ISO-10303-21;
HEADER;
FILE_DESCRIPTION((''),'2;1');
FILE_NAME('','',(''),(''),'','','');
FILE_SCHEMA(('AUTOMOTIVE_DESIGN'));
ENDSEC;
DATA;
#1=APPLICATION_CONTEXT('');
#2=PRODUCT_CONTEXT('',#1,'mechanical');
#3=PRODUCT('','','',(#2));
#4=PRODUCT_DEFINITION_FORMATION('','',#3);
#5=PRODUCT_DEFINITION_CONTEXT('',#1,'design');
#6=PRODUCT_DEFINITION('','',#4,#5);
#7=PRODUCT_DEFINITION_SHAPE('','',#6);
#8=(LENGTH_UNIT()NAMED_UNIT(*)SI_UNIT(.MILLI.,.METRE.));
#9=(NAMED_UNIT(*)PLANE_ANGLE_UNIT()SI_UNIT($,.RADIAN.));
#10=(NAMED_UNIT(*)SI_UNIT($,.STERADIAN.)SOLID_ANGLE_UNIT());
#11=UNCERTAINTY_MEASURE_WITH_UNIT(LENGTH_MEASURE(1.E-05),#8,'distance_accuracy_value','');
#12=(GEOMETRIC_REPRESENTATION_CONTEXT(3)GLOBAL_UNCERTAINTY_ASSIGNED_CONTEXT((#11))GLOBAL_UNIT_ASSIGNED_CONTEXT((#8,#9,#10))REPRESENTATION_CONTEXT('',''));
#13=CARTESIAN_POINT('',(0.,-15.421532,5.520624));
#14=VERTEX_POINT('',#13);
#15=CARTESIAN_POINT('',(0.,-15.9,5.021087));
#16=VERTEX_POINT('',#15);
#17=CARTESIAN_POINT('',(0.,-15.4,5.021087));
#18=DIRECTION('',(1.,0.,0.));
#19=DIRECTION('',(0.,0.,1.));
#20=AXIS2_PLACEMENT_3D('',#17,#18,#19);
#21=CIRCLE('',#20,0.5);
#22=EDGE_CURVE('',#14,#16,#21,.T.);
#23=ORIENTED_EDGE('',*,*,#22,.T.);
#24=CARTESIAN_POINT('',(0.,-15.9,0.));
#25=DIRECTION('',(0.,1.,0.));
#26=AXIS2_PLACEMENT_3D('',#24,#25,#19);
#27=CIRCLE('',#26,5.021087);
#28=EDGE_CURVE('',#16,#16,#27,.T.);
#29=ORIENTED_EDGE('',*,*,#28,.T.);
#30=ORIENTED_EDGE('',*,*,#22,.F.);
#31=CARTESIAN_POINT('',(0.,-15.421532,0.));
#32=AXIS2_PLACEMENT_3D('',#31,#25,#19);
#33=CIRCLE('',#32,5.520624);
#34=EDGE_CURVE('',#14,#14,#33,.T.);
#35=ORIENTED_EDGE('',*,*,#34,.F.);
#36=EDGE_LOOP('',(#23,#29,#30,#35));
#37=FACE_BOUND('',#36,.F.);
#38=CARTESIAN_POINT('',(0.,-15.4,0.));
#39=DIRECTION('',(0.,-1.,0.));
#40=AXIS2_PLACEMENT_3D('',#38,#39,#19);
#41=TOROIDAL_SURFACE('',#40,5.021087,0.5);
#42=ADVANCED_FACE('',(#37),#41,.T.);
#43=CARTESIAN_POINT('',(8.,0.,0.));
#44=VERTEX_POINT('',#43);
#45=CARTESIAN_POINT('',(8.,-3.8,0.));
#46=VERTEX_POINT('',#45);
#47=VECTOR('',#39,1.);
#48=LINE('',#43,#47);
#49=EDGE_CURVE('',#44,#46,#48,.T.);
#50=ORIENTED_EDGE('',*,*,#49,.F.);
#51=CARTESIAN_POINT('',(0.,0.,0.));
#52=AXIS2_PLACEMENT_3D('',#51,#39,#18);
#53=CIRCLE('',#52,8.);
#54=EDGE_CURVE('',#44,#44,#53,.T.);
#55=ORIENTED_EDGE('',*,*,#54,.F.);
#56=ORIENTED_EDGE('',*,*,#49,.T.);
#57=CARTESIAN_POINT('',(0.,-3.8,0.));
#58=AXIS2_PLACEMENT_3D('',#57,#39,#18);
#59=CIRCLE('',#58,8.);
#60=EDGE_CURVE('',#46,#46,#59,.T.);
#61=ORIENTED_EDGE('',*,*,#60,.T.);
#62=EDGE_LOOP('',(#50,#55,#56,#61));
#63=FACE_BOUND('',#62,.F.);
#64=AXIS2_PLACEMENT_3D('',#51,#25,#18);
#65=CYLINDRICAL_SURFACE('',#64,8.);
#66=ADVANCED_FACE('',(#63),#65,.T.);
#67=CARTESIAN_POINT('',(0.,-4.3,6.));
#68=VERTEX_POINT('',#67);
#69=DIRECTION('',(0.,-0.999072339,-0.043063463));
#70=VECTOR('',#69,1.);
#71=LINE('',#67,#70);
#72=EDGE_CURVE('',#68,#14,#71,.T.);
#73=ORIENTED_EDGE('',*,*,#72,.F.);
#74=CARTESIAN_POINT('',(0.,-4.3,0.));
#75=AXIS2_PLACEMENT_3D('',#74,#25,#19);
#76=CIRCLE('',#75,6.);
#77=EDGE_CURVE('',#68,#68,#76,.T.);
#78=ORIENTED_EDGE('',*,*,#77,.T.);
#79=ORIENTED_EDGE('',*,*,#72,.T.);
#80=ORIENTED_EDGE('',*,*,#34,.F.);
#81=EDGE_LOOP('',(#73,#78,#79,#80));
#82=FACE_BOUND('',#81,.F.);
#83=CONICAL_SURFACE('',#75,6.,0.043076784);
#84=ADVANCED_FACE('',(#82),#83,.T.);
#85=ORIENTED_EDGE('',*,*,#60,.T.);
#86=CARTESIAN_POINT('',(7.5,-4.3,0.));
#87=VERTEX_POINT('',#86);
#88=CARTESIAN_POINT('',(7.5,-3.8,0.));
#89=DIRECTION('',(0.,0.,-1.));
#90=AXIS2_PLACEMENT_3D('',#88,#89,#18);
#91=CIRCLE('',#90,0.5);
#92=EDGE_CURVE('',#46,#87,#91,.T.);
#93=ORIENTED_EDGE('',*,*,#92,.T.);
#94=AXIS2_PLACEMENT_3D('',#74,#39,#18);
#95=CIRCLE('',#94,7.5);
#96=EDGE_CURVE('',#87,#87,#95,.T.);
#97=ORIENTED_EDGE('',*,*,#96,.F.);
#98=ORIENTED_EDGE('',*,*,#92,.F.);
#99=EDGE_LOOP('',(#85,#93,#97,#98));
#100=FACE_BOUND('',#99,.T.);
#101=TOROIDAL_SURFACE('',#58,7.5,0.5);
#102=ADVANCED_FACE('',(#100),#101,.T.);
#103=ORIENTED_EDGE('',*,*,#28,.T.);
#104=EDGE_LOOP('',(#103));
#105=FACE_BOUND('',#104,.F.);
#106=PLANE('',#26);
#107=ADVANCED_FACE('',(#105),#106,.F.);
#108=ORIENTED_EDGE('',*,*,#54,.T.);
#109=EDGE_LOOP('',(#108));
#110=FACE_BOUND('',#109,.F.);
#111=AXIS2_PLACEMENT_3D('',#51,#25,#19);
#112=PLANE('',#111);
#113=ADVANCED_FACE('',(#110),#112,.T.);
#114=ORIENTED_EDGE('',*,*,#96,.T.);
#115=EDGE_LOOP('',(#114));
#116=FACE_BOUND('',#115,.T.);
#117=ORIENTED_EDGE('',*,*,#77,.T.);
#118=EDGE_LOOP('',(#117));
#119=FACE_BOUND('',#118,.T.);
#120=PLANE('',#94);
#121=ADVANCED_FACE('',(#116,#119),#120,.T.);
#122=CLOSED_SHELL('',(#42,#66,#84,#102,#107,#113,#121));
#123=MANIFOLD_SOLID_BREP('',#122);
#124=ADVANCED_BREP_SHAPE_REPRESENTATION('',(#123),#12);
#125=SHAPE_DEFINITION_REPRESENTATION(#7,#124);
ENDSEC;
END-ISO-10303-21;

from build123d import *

# Parameters (mm, degrees)
F0_R     = 8
F0_R_2   = 6.75
F0_R_3   = 5.515498
F1_DEPTH = 4.3
F4_R     = 0.5


with BuildPart() as f1:
    # F0 (on Front) → F1 (new body)
    with BuildSketch(Plane.XZ):
        Circle(F0_R)
        Circle(F0_R_2, mode=Mode.SUBTRACT)
        Circle(F0_R_2)
        Circle(F0_R_3, mode=Mode.SUBTRACT)
        Circle(F0_R_3)
    extrude(amount=F1_DEPTH)

    # F2 (on Right) → F3 (revolve)
    with BuildSketch(Plane.YZ):
        Polygon((-15.9, 0), (0, 0), (0, 6), (-4.3, 6), (-15.9, 5.5), align=None)
    revolve(axis=Axis((0, -7.95, 0), (0, 1, 0)))

    # F4
    f4_edges = [f1.edges().sort_by_distance(p)[0] for p in [
        (0, -15.9, -5.5),
        (-8, -4.3, 0),
    ]]
    fillet(f4_edges, radius=F4_R)


solid = f1.part
